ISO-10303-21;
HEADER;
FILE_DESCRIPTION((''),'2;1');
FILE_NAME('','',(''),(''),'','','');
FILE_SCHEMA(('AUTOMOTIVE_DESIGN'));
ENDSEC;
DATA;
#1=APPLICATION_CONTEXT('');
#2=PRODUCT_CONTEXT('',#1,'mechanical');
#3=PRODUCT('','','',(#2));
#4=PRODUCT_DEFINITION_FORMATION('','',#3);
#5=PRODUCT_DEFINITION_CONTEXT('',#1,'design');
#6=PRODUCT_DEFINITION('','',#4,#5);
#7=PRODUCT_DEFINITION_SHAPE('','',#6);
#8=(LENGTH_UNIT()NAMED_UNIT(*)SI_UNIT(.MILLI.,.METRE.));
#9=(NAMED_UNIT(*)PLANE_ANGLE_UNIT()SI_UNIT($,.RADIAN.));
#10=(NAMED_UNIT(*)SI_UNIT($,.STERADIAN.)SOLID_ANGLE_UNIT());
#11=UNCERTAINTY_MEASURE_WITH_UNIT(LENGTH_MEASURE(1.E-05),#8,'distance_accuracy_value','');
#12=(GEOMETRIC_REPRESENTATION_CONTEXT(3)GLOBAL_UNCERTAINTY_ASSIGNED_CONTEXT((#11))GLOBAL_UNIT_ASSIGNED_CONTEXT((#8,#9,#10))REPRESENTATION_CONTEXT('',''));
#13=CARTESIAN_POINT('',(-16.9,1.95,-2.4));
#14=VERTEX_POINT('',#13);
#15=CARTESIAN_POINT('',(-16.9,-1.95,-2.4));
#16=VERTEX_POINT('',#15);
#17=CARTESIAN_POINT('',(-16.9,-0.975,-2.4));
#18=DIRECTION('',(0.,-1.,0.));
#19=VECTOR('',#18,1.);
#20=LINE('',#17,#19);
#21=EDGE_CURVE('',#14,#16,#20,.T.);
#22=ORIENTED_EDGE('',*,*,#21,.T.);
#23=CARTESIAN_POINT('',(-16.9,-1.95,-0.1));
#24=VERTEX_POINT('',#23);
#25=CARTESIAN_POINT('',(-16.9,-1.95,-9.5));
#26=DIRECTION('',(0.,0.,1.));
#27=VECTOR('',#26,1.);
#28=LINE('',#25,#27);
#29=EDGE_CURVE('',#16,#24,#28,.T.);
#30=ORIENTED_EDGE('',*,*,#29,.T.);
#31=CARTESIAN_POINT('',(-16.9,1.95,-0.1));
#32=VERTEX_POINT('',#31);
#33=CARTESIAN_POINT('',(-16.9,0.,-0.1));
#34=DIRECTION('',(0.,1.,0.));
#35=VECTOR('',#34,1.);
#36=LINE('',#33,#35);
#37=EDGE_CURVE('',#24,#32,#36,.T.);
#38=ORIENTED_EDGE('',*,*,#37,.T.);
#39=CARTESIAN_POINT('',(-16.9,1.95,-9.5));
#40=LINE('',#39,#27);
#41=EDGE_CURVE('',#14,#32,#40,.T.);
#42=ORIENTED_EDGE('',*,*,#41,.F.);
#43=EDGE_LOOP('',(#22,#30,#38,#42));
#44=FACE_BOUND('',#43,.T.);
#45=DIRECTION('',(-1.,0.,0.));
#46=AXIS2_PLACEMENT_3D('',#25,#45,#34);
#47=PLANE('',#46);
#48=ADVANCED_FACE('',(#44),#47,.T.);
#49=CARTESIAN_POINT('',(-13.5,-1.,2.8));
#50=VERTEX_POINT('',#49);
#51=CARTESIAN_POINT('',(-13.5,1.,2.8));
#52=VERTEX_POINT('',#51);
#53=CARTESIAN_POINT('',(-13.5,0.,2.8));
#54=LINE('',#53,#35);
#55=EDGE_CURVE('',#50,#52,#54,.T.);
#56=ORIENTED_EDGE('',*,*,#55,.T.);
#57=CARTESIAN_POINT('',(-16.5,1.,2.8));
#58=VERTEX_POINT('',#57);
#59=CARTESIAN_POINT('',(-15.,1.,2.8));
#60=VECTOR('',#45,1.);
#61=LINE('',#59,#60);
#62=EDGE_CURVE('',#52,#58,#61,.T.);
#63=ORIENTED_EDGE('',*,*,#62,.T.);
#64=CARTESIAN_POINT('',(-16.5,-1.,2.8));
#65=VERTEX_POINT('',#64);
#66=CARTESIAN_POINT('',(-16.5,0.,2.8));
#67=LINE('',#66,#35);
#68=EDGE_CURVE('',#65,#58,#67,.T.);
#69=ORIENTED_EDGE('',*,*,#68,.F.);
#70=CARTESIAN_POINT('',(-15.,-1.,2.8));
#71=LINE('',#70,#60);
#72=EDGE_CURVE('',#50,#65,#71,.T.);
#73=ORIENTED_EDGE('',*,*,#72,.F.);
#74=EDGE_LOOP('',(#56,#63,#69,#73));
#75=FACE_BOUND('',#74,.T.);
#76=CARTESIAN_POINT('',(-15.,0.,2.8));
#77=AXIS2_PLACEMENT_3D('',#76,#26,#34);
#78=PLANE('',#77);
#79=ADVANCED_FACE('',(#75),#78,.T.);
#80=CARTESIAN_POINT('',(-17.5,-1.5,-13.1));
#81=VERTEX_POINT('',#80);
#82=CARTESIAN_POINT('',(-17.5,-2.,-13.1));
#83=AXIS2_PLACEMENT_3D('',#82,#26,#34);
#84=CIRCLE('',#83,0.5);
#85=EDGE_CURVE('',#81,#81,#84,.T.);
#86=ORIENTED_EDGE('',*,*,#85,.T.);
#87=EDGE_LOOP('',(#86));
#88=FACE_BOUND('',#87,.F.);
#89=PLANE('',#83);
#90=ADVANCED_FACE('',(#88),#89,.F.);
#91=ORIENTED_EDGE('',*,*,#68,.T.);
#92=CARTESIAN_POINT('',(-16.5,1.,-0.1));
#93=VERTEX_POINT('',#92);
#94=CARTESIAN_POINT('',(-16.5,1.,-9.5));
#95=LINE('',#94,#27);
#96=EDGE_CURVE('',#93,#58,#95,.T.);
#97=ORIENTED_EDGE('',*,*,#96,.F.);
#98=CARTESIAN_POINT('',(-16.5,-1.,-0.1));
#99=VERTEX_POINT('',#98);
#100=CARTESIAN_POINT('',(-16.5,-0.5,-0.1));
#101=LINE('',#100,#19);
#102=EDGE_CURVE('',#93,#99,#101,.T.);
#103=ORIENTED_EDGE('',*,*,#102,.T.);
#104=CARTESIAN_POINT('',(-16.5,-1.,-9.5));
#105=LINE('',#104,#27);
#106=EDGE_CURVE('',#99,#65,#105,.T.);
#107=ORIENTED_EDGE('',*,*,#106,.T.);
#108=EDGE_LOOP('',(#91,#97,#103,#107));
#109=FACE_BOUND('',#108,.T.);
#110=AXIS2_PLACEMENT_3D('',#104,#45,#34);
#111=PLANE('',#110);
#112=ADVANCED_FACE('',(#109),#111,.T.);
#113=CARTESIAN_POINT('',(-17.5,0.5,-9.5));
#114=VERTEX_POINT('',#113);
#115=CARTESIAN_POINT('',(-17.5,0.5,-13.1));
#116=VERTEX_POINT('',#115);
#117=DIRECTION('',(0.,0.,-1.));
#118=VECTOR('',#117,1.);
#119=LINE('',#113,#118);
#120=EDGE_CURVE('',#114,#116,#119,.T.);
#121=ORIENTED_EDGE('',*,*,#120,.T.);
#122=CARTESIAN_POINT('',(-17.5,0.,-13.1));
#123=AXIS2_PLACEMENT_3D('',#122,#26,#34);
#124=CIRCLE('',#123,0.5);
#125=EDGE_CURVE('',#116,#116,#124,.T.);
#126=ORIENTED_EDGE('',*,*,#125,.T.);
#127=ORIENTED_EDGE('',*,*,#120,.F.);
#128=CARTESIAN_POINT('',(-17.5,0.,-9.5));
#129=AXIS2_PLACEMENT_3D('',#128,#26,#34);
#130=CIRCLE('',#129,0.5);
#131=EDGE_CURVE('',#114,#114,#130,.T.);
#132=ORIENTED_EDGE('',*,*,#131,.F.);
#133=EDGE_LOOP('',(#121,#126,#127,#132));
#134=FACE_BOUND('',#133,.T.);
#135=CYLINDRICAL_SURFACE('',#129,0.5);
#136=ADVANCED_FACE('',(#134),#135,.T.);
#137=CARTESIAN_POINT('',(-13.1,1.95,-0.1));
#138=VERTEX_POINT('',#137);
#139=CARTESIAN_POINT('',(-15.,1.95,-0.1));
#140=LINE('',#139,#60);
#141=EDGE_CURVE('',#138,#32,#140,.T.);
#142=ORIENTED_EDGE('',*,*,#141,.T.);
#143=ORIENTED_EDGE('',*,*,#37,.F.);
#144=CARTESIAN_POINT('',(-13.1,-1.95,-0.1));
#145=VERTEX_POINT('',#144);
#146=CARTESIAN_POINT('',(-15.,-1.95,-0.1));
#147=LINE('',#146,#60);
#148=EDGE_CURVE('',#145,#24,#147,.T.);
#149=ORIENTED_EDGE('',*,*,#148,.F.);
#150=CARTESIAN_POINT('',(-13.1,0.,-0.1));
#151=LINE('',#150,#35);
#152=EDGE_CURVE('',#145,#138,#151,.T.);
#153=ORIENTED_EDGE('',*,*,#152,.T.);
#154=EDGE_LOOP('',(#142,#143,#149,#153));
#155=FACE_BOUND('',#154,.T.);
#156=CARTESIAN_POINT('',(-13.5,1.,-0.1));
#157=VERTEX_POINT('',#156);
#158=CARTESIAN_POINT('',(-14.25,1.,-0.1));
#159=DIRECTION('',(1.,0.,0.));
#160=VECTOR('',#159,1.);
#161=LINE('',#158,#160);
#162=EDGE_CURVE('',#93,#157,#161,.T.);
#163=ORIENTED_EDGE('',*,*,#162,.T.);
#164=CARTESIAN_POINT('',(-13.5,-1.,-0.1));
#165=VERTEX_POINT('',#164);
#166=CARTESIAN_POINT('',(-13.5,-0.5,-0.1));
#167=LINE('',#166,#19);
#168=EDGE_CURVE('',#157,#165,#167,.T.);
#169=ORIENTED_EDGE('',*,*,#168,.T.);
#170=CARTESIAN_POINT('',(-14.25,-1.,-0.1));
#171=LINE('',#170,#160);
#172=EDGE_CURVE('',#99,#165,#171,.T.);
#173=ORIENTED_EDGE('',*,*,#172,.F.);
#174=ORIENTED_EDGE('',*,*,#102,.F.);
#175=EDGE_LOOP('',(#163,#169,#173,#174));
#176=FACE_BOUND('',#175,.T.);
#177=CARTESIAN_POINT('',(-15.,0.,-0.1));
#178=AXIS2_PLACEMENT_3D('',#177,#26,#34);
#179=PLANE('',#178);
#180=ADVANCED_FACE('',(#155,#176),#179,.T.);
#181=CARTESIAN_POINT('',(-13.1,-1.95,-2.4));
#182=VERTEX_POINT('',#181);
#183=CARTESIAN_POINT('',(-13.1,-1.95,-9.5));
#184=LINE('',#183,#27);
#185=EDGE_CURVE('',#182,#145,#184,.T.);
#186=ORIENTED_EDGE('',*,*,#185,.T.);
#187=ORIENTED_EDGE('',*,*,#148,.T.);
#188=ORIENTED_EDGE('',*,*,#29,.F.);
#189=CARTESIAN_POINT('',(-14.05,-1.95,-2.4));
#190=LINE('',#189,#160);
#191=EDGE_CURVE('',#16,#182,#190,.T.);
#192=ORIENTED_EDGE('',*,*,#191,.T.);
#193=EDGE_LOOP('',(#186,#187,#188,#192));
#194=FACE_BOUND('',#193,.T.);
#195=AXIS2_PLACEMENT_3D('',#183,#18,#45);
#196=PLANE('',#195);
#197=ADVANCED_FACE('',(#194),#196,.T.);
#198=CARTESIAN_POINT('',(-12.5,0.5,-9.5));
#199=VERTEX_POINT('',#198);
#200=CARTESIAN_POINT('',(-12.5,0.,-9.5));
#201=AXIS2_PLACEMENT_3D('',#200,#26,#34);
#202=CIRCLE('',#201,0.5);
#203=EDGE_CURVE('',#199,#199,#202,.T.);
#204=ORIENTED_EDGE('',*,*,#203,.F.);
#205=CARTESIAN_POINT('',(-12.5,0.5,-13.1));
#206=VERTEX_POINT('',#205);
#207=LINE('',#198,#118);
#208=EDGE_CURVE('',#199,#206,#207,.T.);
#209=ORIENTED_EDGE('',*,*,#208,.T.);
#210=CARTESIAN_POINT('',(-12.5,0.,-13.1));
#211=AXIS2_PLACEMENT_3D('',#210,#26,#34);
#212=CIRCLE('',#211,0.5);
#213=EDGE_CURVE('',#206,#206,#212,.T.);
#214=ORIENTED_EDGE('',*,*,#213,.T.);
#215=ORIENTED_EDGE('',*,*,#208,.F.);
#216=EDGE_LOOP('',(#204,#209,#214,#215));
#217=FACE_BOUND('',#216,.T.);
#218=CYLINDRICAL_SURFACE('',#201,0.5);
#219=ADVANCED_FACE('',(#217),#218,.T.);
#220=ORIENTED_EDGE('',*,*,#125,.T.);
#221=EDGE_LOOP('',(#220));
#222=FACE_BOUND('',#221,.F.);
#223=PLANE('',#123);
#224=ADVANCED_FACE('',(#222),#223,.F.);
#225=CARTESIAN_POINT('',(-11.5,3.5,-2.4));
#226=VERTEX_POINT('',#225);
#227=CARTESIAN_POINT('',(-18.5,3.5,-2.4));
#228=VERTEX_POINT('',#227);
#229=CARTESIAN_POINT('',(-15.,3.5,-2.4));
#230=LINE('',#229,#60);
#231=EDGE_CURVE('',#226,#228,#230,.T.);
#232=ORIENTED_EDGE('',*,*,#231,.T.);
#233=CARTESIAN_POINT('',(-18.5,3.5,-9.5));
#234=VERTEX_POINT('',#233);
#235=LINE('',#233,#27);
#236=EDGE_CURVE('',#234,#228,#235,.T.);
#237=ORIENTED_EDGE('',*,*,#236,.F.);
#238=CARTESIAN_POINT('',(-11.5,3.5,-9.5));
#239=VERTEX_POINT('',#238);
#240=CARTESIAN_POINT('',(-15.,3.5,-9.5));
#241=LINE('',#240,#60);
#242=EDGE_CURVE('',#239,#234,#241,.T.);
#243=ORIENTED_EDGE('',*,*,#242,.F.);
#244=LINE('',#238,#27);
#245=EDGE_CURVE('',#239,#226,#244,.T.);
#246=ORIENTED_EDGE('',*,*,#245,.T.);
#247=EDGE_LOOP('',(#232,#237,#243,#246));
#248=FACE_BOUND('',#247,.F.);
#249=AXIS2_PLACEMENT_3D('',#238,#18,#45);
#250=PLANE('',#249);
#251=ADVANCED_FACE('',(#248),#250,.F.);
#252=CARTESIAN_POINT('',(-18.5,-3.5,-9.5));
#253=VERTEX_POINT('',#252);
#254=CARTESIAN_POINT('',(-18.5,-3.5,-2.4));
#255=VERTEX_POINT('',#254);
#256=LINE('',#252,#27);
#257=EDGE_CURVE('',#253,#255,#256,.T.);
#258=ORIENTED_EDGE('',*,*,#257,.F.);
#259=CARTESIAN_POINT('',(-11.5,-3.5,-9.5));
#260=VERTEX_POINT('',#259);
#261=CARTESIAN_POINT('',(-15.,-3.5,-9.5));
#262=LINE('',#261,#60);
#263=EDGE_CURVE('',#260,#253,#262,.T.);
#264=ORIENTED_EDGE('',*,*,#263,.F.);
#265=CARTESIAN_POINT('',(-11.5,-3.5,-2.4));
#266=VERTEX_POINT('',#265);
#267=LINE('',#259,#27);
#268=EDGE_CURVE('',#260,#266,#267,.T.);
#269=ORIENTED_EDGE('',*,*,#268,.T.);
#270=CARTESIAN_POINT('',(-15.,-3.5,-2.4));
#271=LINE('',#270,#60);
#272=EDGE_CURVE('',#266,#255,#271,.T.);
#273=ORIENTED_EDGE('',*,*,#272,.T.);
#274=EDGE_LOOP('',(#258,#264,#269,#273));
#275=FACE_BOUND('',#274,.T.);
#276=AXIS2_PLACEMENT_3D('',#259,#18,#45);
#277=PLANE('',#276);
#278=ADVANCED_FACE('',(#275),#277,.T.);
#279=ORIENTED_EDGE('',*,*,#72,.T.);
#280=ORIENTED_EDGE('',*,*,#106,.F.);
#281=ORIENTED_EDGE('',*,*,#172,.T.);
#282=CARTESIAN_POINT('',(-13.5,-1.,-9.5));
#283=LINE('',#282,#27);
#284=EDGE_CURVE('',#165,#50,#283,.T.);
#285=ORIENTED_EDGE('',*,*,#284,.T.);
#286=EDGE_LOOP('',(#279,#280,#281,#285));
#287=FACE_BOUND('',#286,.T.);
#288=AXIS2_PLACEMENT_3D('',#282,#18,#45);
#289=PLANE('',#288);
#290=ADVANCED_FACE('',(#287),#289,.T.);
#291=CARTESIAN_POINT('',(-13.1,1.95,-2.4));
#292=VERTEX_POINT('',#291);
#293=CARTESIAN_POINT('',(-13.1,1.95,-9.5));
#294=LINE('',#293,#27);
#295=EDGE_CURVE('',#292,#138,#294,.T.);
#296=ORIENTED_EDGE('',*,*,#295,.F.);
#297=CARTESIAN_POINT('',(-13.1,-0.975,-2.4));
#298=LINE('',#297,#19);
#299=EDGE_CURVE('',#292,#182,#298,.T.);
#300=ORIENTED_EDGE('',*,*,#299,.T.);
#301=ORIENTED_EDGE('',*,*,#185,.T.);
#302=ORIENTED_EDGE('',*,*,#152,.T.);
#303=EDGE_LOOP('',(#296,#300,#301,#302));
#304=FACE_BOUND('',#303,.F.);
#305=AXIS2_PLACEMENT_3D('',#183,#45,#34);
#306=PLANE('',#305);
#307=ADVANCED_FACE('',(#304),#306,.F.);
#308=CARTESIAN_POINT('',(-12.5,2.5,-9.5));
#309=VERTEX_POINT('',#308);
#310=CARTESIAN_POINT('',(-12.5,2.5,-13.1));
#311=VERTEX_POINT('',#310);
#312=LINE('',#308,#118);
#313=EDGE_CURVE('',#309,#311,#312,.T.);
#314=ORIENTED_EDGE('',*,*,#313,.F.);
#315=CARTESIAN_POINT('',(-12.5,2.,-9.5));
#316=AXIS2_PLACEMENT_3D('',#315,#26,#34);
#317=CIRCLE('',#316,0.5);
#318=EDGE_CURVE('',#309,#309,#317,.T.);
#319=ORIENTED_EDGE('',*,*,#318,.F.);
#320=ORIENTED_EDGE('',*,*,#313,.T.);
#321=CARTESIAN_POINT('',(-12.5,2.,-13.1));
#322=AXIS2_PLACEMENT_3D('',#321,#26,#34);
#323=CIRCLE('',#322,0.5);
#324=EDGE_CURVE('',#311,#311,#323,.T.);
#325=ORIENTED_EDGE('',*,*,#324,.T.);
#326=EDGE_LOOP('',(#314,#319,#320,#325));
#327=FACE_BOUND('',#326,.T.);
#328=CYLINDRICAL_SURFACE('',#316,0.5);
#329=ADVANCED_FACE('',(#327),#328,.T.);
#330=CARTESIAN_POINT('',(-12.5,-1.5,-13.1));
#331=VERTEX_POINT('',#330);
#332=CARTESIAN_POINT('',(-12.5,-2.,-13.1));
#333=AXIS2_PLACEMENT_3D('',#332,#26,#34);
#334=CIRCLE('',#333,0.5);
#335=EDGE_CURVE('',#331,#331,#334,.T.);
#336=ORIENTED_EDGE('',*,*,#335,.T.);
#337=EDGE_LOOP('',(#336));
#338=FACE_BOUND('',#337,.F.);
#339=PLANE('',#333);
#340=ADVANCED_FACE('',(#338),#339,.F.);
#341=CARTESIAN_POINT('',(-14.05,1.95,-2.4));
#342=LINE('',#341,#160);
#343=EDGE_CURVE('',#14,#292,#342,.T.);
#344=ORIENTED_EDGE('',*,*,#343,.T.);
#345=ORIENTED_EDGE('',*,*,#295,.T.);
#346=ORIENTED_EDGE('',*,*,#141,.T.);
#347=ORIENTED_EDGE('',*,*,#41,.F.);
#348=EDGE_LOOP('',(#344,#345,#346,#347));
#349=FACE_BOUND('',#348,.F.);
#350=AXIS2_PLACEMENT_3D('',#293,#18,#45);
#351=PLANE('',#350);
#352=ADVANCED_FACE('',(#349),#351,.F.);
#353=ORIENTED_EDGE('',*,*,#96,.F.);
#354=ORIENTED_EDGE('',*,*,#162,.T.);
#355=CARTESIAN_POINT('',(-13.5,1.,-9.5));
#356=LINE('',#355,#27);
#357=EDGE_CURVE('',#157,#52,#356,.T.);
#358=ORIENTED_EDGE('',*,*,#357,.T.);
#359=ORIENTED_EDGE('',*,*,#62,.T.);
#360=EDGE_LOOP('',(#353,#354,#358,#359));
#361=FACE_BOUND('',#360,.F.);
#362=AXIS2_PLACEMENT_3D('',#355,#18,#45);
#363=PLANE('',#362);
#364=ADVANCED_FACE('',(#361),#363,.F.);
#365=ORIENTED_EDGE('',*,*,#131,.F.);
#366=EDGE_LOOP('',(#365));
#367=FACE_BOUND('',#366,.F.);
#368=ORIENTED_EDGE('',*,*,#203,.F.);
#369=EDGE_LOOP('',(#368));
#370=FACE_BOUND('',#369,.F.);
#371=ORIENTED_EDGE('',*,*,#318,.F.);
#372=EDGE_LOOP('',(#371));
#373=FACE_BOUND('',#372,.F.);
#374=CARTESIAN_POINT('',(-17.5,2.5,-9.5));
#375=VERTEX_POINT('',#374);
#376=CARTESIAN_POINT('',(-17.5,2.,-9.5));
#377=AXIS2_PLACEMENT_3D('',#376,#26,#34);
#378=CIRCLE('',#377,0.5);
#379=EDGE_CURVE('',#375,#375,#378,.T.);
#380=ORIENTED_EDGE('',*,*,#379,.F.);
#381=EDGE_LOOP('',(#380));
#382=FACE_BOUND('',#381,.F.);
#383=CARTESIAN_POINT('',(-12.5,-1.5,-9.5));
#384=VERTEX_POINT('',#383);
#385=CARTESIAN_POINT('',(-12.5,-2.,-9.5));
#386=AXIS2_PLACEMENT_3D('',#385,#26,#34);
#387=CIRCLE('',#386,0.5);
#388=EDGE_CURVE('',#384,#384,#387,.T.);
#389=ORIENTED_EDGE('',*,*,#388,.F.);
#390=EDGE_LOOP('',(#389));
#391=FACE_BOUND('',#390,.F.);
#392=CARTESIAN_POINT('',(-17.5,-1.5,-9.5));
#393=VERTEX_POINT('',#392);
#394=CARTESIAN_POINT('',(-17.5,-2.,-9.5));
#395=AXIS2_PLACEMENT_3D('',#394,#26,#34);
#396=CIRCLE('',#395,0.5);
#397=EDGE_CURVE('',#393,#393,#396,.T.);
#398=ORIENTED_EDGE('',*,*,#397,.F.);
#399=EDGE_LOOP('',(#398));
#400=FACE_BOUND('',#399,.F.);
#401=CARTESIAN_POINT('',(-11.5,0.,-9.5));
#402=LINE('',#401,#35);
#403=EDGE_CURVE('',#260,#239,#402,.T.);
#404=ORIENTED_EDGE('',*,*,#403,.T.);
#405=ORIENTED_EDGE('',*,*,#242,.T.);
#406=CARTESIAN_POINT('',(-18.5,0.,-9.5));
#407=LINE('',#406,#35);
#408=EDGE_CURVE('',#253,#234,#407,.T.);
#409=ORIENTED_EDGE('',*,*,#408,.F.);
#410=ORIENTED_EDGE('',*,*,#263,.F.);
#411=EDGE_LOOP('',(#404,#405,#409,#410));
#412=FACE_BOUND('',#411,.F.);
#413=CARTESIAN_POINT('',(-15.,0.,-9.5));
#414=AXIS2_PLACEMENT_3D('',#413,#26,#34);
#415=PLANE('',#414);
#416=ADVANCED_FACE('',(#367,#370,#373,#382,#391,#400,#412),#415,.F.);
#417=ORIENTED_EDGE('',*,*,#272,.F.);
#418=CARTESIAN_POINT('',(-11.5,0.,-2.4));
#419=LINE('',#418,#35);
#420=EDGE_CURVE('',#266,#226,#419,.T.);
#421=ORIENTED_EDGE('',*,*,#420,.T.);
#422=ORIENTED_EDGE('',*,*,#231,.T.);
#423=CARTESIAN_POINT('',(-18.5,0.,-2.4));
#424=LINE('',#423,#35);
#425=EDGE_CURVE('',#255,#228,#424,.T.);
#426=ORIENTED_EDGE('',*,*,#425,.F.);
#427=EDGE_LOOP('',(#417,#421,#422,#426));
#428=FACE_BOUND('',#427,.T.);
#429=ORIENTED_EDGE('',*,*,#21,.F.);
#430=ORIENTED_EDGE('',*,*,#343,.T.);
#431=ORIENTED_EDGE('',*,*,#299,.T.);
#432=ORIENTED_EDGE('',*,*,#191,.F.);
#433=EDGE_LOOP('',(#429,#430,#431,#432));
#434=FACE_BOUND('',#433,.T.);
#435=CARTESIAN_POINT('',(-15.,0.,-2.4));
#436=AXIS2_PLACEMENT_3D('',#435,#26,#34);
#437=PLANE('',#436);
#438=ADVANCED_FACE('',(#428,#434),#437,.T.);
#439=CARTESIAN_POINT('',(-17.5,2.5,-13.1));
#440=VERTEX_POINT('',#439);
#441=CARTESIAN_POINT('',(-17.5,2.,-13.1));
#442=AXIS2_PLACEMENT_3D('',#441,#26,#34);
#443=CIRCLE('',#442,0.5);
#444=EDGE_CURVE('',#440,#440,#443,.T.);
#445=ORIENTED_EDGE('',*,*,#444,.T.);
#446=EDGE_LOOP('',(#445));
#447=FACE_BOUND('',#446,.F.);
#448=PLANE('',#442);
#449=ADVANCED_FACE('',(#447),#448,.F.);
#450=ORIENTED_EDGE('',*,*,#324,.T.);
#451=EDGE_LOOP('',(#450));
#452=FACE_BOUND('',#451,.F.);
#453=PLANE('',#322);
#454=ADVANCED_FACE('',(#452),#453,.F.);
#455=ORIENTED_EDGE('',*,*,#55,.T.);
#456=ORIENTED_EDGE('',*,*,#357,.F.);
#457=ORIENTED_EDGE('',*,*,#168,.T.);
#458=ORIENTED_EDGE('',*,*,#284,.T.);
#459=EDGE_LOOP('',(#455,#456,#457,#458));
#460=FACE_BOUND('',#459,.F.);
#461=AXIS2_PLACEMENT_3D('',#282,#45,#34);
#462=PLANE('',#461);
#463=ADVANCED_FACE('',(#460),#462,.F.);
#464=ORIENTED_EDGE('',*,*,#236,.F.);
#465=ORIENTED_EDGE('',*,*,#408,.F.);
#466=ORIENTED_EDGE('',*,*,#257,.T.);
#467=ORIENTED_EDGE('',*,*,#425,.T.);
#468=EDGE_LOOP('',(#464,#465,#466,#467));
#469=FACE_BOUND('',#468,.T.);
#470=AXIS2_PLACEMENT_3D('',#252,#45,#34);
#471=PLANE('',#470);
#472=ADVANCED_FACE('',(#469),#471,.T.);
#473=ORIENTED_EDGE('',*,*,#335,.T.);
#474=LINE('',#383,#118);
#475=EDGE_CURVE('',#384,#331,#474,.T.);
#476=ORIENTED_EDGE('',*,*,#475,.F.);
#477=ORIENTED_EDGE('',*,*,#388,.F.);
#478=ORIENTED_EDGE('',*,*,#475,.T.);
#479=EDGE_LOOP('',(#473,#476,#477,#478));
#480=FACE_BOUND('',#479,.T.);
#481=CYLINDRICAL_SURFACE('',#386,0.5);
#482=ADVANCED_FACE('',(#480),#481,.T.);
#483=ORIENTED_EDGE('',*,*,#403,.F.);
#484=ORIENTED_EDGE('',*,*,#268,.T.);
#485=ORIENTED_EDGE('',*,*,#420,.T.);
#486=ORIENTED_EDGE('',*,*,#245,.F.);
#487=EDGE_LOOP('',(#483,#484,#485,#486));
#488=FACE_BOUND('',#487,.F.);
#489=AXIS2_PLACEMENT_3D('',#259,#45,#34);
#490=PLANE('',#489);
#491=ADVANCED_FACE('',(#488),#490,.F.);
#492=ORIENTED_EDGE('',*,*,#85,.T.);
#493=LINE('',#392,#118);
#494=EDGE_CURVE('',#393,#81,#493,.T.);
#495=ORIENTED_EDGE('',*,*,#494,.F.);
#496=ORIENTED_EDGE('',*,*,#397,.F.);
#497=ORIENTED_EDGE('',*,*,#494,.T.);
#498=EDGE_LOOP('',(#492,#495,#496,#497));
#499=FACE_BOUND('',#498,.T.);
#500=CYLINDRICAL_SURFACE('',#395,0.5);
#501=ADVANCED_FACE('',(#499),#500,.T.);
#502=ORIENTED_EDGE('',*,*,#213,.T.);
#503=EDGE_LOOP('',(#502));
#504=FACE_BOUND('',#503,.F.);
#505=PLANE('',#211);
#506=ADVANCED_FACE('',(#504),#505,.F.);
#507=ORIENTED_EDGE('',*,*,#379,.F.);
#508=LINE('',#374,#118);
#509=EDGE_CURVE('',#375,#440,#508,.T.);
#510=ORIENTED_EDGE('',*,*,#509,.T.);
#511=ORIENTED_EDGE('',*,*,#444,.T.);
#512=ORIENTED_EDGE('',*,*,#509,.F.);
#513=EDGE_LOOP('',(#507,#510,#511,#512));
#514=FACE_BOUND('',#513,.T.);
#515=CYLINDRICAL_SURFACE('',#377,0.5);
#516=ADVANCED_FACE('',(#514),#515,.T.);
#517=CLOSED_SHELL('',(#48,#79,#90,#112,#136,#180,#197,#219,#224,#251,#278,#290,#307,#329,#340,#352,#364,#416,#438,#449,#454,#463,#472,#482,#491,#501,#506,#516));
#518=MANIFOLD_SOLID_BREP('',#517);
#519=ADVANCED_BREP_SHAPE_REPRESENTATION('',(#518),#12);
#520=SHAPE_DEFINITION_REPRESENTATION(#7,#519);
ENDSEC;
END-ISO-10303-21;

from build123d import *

# Parameters (mm, degrees)
SKETCH069_W             = 7
SKETCH069_H             = 7
PAD039_DEPTH            = 7.1
SKETCH070_R             = 0.5
PAD040_DEPTH            = 3.6
SKETCH071_W             = 3.9
SKETCH071_H             = 3.8
PAD041_DEPTH            = 9.4
SKETCH072_W             = 2
SKETCH072_H             = 3
PAD042_DEPTH            = 12.3
BODY086_PLACEMENT_ANGLE = 90


with BuildPart() as part:
    # Sketch069 → Pad039 (new body)
    with BuildSketch(Plane.XY):
        Rectangle(SKETCH069_W, SKETCH069_H)
    extrude(amount=PAD039_DEPTH)

    # Sketch070 → Pad040 (join)
    with BuildSketch(Plane.XY):
        with Locations((0, 2.5)):
            Circle(SKETCH070_R)
        with Locations((0, -2.5)):
            Circle(SKETCH070_R)
        with Locations((2, 2.5)):
            Circle(SKETCH070_R)
        with Locations((-2, 2.5)):
            Circle(SKETCH070_R)
        with Locations((-2, -2.5)):
            Circle(SKETCH070_R)
        with Locations((2, -2.5)):
            Circle(SKETCH070_R)
    extrude(amount=-PAD040_DEPTH)

    # Sketch071 → Pad041 (join)
    with BuildSketch(Plane.XY):
        Rectangle(SKETCH071_W, SKETCH071_H)
    extrude(amount=PAD041_DEPTH)

    # Sketch072 → Pad042 (join)
    with BuildSketch(Plane.XY):
        Rectangle(SKETCH072_W, SKETCH072_H)
    extrude(amount=PAD042_DEPTH)


with BuildPart() as part_1:
    # Body086 placement: moved
    add(part.part.moved(Location((15, 0, -9.5))).rotate(Axis((15, 0, -9.5), (0, 0, 1)), BODY086_PLACEMENT_ANGLE))


with BuildPart() as part_2:
    # Body087 placement: moved
    add(part_1.part.moved(Location((-30, 0, 0))))


solid = part_2.part
